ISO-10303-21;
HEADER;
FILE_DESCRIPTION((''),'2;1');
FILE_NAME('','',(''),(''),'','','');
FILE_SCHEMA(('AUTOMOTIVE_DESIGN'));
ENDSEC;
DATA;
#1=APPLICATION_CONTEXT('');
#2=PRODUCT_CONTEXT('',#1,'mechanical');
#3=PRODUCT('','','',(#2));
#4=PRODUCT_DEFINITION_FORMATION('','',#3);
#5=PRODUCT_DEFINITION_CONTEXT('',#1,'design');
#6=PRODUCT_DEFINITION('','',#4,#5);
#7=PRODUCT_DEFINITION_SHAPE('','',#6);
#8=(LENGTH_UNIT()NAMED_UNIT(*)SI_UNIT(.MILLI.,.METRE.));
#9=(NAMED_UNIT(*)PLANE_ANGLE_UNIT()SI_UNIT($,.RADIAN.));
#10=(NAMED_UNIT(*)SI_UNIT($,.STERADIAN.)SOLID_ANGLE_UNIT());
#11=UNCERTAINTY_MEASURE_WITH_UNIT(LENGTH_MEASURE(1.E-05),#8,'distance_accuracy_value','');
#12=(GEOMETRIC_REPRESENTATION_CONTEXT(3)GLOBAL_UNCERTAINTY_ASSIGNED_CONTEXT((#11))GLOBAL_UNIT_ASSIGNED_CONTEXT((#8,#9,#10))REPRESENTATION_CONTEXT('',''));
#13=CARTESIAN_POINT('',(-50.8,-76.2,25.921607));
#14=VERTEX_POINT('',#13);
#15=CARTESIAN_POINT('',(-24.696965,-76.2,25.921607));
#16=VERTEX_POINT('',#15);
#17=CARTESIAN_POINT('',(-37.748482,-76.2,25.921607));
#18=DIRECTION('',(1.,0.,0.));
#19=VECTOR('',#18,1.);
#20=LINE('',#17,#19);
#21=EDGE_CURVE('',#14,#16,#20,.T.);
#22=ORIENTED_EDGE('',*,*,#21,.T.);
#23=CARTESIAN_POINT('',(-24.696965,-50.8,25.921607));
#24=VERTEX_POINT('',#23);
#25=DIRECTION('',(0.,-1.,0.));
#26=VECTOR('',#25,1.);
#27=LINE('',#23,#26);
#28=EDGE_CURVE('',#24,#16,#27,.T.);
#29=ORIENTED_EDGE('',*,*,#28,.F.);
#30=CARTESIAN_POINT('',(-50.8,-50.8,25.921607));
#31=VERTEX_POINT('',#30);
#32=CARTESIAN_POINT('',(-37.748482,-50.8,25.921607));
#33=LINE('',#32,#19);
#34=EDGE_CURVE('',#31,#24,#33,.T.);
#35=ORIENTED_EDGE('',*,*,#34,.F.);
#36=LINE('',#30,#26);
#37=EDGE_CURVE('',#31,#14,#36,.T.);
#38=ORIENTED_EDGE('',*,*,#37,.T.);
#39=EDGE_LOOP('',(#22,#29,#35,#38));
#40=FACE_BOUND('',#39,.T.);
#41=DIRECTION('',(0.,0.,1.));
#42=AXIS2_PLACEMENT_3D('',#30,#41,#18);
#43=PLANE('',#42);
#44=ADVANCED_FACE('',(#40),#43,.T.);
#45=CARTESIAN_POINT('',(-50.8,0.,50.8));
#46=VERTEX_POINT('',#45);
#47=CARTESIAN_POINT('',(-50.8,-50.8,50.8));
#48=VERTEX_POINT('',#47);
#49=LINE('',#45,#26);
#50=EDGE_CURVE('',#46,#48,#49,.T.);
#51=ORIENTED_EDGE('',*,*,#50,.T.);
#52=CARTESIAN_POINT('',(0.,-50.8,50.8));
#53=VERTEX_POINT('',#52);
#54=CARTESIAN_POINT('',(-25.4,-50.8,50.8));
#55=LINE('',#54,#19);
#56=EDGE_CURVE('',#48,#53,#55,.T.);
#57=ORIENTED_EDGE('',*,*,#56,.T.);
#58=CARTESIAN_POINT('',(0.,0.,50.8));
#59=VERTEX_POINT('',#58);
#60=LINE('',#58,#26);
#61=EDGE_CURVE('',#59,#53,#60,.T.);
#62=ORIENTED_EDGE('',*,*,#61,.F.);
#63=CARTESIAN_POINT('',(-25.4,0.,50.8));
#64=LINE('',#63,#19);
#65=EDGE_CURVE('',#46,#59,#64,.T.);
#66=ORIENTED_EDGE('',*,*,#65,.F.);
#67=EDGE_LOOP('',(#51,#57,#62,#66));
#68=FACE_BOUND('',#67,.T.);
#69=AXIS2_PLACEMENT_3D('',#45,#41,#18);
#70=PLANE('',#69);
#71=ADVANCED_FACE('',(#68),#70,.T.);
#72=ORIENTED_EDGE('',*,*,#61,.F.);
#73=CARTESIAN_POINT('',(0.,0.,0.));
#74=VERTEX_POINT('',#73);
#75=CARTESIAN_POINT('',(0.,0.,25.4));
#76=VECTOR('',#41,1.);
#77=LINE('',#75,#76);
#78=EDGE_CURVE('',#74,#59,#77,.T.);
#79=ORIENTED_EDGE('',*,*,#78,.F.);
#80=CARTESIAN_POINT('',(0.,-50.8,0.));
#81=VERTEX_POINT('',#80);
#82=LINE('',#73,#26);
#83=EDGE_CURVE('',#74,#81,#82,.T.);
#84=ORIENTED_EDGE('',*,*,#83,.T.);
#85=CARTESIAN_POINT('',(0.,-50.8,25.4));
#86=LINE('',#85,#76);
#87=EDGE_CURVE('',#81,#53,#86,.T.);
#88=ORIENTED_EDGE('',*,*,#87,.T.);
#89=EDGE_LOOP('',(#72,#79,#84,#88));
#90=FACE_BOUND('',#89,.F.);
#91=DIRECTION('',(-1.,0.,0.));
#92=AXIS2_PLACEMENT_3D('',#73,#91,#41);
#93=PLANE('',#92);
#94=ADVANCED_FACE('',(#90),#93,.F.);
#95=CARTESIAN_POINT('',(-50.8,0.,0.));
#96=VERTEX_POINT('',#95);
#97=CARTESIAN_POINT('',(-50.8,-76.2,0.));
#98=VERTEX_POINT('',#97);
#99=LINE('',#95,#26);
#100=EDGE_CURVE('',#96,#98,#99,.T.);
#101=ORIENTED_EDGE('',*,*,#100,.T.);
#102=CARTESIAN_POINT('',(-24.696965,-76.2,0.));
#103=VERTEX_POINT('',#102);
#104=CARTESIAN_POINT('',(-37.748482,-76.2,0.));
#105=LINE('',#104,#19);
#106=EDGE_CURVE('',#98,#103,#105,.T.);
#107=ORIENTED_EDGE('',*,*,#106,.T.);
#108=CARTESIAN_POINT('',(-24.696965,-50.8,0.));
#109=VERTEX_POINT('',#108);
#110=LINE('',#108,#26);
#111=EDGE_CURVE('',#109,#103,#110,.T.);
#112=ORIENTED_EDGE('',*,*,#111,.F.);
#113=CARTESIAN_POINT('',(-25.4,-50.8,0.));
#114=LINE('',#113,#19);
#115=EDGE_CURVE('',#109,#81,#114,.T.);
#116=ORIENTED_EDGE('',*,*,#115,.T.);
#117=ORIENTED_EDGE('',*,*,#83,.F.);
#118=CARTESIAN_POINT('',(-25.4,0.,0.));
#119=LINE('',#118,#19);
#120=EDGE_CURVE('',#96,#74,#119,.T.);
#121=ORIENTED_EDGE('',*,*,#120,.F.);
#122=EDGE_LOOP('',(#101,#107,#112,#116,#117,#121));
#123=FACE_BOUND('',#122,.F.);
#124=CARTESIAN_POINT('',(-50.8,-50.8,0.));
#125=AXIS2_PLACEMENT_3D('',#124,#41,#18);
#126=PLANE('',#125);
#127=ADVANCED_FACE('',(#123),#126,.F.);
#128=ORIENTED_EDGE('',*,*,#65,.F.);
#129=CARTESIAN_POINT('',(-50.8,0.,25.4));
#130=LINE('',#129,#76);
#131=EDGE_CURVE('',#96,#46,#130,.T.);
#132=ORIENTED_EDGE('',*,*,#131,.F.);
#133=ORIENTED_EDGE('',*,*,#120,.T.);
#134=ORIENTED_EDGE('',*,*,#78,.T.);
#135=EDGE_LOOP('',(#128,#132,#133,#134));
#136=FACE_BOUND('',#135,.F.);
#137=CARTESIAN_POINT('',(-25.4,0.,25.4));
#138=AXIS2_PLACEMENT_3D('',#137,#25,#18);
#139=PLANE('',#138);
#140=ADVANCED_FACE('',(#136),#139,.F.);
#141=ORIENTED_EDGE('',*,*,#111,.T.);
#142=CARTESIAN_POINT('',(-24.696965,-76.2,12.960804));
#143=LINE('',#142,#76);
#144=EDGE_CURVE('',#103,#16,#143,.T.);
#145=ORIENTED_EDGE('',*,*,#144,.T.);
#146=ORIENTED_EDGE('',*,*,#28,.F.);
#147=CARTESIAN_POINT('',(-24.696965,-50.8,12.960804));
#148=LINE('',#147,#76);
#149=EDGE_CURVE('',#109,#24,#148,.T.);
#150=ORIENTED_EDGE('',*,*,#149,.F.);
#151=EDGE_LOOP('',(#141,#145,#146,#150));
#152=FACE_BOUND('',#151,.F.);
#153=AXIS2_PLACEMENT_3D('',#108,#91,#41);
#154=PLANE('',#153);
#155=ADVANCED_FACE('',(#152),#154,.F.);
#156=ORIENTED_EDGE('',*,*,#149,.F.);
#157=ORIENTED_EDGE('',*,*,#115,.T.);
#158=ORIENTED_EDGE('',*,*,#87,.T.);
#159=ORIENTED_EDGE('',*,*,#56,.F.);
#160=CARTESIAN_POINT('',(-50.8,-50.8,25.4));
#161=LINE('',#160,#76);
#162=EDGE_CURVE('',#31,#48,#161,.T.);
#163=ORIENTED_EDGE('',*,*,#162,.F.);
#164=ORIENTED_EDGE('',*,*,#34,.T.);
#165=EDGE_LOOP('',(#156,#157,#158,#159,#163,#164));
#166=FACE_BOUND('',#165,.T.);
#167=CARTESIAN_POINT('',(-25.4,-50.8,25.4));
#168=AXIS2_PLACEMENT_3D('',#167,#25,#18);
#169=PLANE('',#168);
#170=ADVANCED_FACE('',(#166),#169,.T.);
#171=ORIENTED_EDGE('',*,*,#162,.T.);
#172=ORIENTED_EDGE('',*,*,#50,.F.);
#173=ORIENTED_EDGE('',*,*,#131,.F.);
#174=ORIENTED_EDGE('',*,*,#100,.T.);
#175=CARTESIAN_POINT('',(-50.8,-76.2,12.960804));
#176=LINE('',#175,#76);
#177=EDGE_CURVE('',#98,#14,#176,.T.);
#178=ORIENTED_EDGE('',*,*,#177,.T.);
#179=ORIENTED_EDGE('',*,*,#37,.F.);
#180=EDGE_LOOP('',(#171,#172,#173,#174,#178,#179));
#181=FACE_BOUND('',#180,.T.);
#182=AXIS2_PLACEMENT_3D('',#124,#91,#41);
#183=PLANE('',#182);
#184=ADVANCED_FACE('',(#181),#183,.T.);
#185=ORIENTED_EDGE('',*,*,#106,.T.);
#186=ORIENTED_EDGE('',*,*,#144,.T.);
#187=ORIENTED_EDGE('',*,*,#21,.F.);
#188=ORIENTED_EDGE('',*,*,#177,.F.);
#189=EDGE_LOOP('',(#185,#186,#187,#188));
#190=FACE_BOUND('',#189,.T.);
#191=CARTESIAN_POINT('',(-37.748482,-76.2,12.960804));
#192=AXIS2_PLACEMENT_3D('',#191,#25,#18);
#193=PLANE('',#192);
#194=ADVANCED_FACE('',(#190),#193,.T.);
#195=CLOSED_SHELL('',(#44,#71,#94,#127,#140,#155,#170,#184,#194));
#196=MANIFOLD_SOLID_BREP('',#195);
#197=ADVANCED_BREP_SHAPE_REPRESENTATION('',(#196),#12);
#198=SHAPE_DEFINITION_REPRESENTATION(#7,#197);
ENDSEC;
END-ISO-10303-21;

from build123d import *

# Parameters (mm, degrees)
F0_W     = 50.8
F0_H     = 50.8
F1_DEPTH = 50.8
F2_W     = 26.1030352294
F2_H     = 25.92160739
F3_DEPTH = 50.8
F4_DEPTH = 25.4


with BuildPart() as f1:
    # F0 (on Front) → F1 (new body)
    with BuildSketch(Plane.XZ):
        with Locations((-25.4, 25.4)):
            Rectangle(F0_W, F0_H)
    extrude(amount=F1_DEPTH)

    # F2 (on face) → F3 (join)
    with BuildSketch(Plane.XZ.offset(50.8)):
        with Locations((-37.7484823853, 12.960803695)):
            Rectangle(F2_W, F2_H)
    extrude(amount=F3_DEPTH)

    # F4 (cut): a face of the model
    f4_faces = [f1.faces().sort_by_distance(p)[0] for p in [
        (-37.7484823853, -101.6, 12.960803695),
    ]]
    extrude(f4_faces, amount=-F4_DEPTH, mode=Mode.SUBTRACT)


solid = f1.part
